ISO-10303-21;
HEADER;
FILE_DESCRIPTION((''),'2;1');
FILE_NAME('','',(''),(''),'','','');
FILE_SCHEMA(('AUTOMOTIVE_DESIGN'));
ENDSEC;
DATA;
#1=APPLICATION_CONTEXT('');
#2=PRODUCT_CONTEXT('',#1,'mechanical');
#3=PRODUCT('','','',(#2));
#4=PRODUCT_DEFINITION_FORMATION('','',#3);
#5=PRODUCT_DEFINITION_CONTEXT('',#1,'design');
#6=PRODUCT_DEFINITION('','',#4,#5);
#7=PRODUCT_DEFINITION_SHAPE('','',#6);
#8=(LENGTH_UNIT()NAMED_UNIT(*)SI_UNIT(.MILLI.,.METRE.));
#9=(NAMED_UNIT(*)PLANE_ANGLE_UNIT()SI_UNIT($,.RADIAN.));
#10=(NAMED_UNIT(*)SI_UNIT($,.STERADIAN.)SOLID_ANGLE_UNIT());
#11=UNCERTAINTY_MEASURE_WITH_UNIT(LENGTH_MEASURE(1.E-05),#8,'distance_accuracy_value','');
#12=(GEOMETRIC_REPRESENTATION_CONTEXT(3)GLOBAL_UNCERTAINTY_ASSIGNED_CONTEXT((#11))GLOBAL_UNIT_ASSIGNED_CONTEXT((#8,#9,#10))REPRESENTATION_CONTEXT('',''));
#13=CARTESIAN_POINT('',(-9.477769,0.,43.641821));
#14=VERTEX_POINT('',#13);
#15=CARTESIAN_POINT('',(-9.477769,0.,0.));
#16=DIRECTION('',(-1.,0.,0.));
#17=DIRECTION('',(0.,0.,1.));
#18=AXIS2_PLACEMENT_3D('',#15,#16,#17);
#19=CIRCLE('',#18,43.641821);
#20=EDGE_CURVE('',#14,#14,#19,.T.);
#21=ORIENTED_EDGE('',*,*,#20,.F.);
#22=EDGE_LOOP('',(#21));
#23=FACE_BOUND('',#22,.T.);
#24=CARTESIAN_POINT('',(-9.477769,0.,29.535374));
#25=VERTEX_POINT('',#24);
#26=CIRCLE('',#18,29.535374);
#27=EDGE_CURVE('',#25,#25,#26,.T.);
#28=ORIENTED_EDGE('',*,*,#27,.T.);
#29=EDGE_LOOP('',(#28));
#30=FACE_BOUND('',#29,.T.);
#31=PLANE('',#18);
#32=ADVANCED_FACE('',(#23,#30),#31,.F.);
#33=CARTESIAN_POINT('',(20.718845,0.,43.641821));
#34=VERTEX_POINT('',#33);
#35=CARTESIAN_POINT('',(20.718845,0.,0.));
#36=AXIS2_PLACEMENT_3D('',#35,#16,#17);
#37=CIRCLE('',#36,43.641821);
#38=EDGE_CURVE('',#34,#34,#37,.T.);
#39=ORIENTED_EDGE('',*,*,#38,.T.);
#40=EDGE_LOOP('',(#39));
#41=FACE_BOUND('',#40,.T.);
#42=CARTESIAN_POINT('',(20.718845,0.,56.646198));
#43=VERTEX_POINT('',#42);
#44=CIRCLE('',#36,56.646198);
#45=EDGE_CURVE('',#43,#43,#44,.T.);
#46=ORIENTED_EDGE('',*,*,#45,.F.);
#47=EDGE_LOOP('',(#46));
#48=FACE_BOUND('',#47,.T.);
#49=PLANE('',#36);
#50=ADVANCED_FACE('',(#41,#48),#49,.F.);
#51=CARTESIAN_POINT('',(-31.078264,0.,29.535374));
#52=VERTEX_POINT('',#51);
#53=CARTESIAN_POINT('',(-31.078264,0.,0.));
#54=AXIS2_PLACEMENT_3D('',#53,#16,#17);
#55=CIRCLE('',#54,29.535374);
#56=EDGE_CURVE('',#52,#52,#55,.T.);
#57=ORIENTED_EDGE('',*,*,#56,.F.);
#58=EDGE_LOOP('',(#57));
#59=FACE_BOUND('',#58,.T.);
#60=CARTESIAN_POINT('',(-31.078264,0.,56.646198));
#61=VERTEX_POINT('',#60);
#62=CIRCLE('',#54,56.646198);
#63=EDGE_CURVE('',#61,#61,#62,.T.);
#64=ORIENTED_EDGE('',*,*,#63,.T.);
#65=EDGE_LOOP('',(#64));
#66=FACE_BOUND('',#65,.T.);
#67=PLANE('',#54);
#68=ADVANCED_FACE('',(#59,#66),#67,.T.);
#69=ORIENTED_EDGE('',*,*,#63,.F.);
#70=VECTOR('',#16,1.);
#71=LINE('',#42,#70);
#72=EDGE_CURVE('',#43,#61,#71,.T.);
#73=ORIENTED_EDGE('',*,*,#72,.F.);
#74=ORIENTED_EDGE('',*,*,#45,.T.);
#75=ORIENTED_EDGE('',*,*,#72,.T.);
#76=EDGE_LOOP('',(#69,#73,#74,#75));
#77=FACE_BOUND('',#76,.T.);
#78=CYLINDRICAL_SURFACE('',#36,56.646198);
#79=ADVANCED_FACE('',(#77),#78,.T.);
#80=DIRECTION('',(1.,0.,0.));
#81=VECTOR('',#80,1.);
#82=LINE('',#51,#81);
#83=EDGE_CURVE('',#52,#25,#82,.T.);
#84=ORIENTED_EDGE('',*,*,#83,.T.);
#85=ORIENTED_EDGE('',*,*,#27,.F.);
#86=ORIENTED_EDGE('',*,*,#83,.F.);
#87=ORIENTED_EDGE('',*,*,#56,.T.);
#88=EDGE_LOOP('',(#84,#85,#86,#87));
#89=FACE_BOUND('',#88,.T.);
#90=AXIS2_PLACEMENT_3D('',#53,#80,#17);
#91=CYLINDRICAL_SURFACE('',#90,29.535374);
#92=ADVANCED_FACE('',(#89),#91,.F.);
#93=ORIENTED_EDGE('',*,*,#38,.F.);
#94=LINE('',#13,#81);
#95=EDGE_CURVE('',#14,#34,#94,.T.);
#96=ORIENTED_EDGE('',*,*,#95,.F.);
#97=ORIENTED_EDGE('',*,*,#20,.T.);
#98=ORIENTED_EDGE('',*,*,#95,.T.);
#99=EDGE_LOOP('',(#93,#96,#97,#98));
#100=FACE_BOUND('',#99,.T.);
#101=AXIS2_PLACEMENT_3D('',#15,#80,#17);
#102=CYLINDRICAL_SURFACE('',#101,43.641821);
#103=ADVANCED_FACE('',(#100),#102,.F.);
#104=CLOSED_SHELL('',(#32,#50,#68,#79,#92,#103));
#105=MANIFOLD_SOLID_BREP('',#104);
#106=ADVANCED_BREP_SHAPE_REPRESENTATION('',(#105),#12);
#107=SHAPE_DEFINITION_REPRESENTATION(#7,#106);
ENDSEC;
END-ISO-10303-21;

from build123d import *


with BuildPart() as f1:
    # F0 (on Front) → F1 (revolve)
    with BuildSketch(Plane.XZ):
        Polygon((-31.078264, 43.641821), (-31.078264, 29.535374), (-9.477769, 29.535374), (-9.477769, 43.641821), (20.718845, 43.641821), (20.718845, 56.646198), (-31.078264, 56.646198), align=None)
    revolve(axis=Axis((-56.866612, 0, 0), (-1, 0, 0)))


solid = f1.part
